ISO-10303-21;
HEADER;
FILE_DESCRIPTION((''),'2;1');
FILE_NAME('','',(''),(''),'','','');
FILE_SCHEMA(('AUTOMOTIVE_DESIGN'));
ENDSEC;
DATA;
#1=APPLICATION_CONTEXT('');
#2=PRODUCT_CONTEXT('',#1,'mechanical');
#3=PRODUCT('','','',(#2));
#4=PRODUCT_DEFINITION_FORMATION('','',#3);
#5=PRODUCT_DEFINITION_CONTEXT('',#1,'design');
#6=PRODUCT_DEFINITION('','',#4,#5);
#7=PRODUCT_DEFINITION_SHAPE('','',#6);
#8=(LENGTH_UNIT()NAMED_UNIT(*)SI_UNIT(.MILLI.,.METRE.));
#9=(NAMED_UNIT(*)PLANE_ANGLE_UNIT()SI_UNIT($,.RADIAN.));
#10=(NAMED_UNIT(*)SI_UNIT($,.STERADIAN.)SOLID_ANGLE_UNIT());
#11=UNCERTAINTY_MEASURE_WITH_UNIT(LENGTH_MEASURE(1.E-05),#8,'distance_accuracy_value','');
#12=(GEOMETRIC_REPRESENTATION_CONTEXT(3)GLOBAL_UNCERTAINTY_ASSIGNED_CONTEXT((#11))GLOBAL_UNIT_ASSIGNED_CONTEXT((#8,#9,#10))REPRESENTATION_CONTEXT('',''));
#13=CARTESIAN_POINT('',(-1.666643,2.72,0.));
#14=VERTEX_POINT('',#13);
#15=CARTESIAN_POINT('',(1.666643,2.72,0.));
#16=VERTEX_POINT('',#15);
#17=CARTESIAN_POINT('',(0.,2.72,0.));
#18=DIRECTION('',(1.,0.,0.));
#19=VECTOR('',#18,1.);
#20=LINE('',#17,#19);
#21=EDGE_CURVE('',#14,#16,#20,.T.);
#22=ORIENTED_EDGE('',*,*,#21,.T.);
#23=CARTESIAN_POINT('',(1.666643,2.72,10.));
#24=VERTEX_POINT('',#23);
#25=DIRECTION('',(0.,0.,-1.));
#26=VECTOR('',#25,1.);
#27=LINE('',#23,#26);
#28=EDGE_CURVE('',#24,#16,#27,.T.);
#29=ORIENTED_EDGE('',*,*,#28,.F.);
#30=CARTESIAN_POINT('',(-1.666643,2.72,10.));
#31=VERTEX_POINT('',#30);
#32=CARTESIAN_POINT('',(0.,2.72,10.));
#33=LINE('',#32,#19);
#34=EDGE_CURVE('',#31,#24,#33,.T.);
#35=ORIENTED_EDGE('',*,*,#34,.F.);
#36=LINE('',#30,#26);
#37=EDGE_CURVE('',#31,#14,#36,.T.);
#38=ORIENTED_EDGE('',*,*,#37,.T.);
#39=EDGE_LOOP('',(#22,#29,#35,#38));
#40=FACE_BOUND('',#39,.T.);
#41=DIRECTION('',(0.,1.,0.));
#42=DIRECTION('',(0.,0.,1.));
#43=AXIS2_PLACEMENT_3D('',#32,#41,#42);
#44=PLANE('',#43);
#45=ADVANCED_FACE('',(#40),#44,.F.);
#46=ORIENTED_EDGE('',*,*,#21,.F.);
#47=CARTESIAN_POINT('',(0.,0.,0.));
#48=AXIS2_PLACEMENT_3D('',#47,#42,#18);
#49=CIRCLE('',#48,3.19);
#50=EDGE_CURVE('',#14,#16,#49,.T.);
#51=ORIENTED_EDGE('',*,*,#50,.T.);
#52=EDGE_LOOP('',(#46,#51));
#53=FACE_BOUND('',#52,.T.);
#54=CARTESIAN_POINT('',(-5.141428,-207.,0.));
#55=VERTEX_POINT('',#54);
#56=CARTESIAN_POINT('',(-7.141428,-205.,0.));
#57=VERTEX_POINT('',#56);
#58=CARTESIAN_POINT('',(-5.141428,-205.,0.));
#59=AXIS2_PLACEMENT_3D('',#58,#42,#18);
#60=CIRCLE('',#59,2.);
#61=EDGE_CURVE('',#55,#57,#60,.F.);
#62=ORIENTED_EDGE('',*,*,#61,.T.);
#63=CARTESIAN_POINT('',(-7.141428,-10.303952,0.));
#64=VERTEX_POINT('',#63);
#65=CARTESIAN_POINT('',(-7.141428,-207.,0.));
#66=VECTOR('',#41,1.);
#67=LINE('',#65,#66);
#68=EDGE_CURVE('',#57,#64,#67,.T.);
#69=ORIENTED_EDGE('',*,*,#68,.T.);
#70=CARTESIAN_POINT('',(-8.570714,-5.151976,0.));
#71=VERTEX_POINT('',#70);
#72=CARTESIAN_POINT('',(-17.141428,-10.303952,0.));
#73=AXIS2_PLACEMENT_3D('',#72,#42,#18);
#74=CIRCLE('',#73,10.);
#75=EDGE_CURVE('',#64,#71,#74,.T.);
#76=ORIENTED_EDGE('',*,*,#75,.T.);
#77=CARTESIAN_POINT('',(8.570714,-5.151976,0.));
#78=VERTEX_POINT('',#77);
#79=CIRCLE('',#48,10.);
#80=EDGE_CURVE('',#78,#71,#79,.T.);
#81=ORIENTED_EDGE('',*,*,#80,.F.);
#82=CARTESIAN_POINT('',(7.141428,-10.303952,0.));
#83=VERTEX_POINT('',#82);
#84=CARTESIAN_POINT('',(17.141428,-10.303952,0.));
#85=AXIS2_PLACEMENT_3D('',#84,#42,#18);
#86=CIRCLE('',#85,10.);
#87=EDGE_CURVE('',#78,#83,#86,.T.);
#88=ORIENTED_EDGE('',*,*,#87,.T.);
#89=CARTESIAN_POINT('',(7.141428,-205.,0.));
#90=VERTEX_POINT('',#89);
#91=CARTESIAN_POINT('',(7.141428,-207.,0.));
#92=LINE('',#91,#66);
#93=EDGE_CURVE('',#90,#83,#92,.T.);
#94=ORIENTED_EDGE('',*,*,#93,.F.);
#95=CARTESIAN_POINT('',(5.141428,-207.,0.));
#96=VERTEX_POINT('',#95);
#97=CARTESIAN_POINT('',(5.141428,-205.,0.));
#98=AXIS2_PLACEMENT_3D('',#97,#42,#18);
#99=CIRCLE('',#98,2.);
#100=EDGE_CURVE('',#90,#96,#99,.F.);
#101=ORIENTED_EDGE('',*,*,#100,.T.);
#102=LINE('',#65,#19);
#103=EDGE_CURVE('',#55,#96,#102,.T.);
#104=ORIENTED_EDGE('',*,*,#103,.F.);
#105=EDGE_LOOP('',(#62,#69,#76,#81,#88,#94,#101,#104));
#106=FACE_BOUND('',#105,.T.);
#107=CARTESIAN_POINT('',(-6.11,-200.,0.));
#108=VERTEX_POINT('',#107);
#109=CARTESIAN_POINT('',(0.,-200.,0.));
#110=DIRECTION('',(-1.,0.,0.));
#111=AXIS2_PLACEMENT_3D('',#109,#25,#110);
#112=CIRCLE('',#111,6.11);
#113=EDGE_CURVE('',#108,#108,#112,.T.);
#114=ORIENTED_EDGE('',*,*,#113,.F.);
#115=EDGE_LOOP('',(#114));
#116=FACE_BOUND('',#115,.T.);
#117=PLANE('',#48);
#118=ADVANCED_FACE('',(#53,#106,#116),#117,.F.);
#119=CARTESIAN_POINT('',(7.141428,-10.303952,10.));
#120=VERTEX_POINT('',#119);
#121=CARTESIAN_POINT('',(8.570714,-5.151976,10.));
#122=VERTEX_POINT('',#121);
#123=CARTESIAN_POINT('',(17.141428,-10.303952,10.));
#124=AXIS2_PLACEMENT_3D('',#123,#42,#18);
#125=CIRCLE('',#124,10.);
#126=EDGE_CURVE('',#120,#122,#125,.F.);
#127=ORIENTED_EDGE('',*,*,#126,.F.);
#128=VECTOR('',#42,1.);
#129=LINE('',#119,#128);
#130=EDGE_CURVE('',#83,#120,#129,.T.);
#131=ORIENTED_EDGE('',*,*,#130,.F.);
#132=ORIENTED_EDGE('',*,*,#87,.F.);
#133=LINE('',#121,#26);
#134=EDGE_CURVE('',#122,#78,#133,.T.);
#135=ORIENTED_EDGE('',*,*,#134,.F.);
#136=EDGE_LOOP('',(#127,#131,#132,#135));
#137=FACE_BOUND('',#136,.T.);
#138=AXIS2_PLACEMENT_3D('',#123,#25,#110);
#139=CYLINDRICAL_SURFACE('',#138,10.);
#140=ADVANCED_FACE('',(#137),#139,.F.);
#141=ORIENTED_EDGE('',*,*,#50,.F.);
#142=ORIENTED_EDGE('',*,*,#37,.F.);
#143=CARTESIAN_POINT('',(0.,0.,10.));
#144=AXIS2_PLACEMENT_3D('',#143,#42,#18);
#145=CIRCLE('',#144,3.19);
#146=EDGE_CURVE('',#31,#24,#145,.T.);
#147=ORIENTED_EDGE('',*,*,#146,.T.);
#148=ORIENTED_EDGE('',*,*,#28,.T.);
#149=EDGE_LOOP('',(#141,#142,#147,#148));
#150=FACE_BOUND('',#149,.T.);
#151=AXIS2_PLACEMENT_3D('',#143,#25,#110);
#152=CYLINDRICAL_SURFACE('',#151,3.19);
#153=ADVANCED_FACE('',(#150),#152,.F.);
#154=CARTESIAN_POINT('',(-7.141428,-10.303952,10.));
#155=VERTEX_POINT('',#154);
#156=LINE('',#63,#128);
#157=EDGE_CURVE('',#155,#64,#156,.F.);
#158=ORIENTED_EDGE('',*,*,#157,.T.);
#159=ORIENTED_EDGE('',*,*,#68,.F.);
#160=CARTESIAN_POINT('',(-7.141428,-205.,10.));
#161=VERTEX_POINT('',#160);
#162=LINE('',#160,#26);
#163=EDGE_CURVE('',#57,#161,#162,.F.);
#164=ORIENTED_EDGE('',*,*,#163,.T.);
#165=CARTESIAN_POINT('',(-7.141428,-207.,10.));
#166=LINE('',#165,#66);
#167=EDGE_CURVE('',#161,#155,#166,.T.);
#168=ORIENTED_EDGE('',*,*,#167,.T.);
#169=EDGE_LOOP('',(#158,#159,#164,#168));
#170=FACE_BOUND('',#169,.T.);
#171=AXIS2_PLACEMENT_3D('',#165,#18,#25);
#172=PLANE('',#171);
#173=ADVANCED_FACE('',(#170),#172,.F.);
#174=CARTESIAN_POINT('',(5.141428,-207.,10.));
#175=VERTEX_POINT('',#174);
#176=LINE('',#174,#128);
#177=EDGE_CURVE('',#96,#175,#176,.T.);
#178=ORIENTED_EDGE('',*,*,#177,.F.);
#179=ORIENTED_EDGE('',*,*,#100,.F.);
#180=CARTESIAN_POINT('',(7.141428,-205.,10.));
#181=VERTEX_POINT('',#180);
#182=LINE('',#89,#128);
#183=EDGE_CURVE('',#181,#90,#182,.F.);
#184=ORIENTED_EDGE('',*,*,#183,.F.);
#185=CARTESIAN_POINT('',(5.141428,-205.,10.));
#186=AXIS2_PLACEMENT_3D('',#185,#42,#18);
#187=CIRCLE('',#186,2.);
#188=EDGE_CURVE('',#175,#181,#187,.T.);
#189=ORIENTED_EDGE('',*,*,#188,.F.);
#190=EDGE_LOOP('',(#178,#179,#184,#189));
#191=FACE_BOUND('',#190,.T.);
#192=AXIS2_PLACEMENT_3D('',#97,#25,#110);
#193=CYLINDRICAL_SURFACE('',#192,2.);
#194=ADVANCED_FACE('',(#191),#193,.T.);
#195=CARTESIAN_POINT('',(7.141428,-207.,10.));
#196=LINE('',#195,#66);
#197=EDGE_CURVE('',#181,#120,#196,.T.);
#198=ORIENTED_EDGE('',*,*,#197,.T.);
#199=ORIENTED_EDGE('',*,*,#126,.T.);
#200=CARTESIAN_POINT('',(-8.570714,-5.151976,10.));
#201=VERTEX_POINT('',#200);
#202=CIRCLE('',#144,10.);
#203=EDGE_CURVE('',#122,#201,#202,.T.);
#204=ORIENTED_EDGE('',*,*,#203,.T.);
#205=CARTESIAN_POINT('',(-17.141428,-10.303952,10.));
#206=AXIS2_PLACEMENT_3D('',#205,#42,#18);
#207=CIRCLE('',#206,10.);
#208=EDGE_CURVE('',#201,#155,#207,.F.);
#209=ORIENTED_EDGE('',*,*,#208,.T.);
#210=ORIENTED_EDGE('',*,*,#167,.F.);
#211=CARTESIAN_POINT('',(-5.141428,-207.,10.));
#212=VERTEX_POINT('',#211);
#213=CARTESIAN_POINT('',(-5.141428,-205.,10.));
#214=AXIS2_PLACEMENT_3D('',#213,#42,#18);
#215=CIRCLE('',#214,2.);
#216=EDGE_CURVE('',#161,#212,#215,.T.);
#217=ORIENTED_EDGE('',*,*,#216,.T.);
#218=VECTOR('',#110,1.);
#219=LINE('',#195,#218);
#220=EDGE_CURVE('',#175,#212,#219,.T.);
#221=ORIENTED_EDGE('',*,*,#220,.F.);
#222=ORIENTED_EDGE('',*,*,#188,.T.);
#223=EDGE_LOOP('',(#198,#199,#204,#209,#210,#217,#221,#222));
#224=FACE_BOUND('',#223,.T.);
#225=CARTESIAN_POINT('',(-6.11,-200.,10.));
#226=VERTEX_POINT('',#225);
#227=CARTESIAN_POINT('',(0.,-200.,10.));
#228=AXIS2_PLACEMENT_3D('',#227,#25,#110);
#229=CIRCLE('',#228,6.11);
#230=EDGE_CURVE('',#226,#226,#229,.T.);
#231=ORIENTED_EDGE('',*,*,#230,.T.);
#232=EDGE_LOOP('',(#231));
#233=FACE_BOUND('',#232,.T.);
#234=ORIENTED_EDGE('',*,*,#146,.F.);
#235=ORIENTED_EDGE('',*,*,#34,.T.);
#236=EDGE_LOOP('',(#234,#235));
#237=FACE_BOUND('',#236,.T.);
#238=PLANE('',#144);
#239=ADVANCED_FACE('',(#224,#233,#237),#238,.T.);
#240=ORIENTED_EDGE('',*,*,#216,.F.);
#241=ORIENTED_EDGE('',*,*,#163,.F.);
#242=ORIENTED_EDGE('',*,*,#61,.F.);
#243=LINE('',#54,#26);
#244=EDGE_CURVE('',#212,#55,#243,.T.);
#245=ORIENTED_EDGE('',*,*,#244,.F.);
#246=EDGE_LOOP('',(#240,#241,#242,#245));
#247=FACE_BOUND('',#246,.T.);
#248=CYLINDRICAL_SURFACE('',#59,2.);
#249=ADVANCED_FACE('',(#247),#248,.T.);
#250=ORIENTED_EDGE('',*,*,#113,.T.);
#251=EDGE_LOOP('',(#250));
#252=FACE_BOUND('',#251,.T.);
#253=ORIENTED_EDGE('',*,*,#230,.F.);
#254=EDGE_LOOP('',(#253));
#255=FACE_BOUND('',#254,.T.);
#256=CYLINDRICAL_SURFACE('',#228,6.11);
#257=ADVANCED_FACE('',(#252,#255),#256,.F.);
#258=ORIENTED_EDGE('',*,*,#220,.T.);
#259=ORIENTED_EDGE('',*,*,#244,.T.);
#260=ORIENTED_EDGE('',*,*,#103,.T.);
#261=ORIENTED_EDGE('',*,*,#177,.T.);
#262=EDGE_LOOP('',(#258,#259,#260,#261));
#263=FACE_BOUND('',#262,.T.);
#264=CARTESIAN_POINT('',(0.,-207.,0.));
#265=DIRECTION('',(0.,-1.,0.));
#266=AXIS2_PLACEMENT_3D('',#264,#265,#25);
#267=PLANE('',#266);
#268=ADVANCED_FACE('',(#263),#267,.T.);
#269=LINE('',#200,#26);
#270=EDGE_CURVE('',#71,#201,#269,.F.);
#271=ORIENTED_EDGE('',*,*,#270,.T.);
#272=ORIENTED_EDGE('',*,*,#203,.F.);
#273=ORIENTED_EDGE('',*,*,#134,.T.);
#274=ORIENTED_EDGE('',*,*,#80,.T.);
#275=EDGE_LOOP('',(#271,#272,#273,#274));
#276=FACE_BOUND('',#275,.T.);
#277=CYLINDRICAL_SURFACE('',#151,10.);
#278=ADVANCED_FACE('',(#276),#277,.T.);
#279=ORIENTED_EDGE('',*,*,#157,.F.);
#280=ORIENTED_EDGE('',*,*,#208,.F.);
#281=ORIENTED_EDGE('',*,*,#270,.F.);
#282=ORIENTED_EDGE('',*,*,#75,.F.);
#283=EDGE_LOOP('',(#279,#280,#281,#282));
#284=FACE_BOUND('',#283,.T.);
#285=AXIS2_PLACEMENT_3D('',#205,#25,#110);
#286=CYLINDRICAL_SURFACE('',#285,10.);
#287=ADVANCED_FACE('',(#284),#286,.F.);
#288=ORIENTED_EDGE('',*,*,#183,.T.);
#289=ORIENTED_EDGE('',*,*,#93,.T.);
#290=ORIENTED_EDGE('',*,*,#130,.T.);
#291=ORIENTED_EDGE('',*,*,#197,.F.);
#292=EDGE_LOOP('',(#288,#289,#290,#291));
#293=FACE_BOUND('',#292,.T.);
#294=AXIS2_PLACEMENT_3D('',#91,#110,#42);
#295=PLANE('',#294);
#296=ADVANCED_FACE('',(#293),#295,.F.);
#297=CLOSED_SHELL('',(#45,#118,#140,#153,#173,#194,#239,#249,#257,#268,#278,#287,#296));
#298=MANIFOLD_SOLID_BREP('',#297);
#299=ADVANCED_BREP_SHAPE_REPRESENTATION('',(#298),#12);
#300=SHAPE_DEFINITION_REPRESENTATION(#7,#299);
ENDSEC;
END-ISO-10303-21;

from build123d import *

# Parameters (mm, degrees)
SKETCH1_R           = 10
BOSS_EXTRUDE1_DEPTH = 10
CUT_EXTRUDE1_DEPTH  = 10
SKETCH3_W           = 14.282856858
SKETCH3_H           = 10
BOSS_EXTRUDE2_DEPTH = 200
SKETCH4_R           = 6.11
CUT_EXTRUDE2_DEPTH  = 10
FILLET1_R           = 10
FILLET2_R           = 2


with BuildPart() as part:
    # Sketch1 → Boss-Extrude1 (new body)
    with BuildSketch(Plane.XY):
        Circle(SKETCH1_R)
        with BuildLine():
            ThreePointArc((-1.666643333, 2.72), (0, -3.19), (1.666643333, 2.72))
            Line((1.666643333, 2.72), (-1.666643333, 2.72))
        make_face(mode=Mode.SUBTRACT)
    extrude(amount=BOSS_EXTRUDE1_DEPTH)

    # Sketch2 → Cut-Extrude1 (cut)
    with BuildSketch(Plane(origin=(0, 0, 0), x_dir=(-1, 0, 0), z_dir=(0, 0, -1))):
        with BuildLine():
            Line((7.141428429, -7), (-7.141428429, -7))
            ThreePointArc((-7.141428429, -7), (-3.872983346, -9.219544457), (0, -10))
            ThreePointArc((0, -10), (3.872983346, -9.219544457), (7.141428429, -7))
        make_face()
    extrude(amount=-CUT_EXTRUDE1_DEPTH, mode=Mode.SUBTRACT)

    # Sketch3 → Boss-Extrude2 (add)
    with BuildSketch(Plane.XZ.offset(7)):
        with Locations((0, 5)):
            Rectangle(SKETCH3_W, SKETCH3_H)
    extrude(amount=BOSS_EXTRUDE2_DEPTH)

    # Sketch4 → Cut-Extrude2 (cut)
    with BuildSketch(Plane(origin=(0, 0, 0), x_dir=(-1, 0, 0), z_dir=(0, 0, -1))):
        with Locations((0, -200)):
            Circle(SKETCH4_R)
    extrude(amount=-CUT_EXTRUDE2_DEPTH, mode=Mode.SUBTRACT)

    # Fillet1
    fillet1_edges = [part.edges().sort_by_distance(p)[0] for p in [
        (7.141428429, -7, 5),
        (-7.141428429, -7, 5),
    ]]
    fillet(fillet1_edges, radius=FILLET1_R)

    # Fillet2
    fillet2_edges = [part.edges().sort_by_distance(p)[0] for p in [
        (-7.141428429, -207, 5),
        (7.141428429, -207, 5),
    ]]
    fillet(fillet2_edges, radius=FILLET2_R)


solid = part.part
